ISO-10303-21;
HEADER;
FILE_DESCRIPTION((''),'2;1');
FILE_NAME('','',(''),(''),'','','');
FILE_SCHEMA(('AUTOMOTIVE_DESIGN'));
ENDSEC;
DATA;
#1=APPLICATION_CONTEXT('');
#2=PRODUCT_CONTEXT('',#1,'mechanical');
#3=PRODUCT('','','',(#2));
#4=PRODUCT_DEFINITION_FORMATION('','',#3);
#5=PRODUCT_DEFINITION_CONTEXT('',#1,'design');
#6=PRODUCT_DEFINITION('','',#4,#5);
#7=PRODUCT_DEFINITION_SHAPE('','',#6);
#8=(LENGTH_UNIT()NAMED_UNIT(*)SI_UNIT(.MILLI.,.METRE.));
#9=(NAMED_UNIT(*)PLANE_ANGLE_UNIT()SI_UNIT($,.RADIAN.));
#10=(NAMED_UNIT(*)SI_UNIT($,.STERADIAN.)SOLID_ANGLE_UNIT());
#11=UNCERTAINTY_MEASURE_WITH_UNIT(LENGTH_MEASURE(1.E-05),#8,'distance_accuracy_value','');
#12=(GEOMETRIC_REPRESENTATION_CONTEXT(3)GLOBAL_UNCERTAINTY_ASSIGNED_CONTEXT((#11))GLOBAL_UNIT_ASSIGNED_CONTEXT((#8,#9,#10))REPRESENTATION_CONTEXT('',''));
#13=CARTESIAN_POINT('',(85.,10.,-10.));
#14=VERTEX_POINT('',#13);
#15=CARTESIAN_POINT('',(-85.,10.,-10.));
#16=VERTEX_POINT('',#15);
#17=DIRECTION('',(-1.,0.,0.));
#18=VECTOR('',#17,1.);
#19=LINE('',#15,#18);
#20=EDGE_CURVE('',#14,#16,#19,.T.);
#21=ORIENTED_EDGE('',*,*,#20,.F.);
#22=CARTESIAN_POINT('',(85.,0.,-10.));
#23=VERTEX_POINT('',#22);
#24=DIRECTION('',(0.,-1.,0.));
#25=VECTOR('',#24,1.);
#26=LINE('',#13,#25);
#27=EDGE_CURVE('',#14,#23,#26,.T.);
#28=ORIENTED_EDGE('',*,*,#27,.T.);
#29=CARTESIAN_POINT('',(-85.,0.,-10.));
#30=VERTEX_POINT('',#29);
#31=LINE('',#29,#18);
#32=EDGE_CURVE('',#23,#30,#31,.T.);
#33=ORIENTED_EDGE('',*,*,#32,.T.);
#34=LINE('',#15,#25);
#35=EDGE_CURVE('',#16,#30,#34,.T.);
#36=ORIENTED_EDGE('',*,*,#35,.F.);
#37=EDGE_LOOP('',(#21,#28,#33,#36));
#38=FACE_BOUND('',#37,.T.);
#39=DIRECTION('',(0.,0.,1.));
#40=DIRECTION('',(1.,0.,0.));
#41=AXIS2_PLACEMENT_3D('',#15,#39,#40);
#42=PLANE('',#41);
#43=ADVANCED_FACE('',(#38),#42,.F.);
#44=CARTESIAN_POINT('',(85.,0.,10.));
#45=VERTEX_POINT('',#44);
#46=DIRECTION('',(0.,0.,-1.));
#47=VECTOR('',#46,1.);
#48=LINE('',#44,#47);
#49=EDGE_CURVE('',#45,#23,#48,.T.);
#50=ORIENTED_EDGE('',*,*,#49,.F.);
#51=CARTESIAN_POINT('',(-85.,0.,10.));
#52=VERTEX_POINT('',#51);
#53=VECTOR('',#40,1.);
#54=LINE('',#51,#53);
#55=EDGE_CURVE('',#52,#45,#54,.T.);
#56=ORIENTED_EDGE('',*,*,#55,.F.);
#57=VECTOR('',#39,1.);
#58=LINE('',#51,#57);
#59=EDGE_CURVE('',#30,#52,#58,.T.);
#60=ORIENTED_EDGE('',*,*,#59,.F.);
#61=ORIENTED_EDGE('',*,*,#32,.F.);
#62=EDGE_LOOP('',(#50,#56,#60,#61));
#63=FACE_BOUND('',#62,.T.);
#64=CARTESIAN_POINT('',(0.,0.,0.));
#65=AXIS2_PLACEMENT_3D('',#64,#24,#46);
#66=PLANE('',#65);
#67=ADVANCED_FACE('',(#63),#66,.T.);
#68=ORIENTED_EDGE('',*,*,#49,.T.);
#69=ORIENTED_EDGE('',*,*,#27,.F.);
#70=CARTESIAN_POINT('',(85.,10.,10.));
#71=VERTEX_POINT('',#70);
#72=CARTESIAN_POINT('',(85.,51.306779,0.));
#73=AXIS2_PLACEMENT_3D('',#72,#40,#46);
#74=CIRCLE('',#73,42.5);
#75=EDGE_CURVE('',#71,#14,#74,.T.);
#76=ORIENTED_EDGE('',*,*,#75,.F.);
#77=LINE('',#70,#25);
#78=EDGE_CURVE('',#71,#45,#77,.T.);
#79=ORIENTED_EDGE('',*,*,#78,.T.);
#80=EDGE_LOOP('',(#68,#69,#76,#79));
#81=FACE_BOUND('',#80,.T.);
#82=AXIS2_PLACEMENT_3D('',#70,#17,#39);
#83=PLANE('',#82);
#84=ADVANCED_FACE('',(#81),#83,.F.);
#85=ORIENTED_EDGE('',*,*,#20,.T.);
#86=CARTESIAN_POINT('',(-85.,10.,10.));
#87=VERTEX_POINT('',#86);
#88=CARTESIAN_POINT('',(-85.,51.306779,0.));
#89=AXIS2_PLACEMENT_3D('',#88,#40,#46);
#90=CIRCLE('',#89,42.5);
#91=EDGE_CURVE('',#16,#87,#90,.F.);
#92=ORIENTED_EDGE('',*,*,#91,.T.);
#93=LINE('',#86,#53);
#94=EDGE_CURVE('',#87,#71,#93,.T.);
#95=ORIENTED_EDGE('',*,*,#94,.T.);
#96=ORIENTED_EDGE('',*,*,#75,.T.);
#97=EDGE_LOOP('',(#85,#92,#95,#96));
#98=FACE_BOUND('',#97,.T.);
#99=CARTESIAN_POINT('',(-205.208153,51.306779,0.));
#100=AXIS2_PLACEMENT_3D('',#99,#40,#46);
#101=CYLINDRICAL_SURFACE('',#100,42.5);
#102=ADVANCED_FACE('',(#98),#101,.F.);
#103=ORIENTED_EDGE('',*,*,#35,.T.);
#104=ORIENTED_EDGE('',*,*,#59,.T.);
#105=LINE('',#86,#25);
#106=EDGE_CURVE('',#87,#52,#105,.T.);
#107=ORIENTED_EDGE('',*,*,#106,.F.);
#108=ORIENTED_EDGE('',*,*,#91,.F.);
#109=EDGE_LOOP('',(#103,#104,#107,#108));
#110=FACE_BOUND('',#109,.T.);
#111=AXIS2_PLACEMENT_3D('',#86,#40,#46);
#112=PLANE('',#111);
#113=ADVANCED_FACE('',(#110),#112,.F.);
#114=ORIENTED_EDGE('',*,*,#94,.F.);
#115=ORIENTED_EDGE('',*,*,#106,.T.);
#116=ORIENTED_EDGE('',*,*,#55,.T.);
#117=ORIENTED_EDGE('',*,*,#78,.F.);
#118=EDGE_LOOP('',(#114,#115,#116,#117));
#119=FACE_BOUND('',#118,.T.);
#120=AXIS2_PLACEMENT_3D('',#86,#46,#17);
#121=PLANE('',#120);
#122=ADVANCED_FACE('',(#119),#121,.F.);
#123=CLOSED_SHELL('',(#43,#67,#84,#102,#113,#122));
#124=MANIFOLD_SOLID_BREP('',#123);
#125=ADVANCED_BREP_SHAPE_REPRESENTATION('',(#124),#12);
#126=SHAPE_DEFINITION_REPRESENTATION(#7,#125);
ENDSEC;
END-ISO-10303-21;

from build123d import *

# Parameters (mm, degrees)
FACE_SKETCH_W      = 170
FACE_SKETCH_H      = 20
FACE_EXTRUDE_DEPTH = 10
PROFILE_SKETCH_R   = 42.5
PROFILE_CUT_DEPTH  = 170


with BuildPart() as part:
    # Face Sketch → Face Extrude (new body)
    with BuildSketch(Plane(origin=(0, 0, 0), x_dir=(1, 0, 0), z_dir=(0, 1, 0))):
        Rectangle(FACE_SKETCH_W, FACE_SKETCH_H)
    extrude(amount=FACE_EXTRUDE_DEPTH)

    # Profile Sketch → Profile Cut (cut)
    with BuildSketch(Plane(origin=(85, 0, 0), x_dir=(0, 0, -1), z_dir=(1, 0, 0))):
        with Locations((0, 51.306779105)):
            Circle(PROFILE_SKETCH_R)
    extrude(amount=-PROFILE_CUT_DEPTH, mode=Mode.SUBTRACT)


solid = part.part
